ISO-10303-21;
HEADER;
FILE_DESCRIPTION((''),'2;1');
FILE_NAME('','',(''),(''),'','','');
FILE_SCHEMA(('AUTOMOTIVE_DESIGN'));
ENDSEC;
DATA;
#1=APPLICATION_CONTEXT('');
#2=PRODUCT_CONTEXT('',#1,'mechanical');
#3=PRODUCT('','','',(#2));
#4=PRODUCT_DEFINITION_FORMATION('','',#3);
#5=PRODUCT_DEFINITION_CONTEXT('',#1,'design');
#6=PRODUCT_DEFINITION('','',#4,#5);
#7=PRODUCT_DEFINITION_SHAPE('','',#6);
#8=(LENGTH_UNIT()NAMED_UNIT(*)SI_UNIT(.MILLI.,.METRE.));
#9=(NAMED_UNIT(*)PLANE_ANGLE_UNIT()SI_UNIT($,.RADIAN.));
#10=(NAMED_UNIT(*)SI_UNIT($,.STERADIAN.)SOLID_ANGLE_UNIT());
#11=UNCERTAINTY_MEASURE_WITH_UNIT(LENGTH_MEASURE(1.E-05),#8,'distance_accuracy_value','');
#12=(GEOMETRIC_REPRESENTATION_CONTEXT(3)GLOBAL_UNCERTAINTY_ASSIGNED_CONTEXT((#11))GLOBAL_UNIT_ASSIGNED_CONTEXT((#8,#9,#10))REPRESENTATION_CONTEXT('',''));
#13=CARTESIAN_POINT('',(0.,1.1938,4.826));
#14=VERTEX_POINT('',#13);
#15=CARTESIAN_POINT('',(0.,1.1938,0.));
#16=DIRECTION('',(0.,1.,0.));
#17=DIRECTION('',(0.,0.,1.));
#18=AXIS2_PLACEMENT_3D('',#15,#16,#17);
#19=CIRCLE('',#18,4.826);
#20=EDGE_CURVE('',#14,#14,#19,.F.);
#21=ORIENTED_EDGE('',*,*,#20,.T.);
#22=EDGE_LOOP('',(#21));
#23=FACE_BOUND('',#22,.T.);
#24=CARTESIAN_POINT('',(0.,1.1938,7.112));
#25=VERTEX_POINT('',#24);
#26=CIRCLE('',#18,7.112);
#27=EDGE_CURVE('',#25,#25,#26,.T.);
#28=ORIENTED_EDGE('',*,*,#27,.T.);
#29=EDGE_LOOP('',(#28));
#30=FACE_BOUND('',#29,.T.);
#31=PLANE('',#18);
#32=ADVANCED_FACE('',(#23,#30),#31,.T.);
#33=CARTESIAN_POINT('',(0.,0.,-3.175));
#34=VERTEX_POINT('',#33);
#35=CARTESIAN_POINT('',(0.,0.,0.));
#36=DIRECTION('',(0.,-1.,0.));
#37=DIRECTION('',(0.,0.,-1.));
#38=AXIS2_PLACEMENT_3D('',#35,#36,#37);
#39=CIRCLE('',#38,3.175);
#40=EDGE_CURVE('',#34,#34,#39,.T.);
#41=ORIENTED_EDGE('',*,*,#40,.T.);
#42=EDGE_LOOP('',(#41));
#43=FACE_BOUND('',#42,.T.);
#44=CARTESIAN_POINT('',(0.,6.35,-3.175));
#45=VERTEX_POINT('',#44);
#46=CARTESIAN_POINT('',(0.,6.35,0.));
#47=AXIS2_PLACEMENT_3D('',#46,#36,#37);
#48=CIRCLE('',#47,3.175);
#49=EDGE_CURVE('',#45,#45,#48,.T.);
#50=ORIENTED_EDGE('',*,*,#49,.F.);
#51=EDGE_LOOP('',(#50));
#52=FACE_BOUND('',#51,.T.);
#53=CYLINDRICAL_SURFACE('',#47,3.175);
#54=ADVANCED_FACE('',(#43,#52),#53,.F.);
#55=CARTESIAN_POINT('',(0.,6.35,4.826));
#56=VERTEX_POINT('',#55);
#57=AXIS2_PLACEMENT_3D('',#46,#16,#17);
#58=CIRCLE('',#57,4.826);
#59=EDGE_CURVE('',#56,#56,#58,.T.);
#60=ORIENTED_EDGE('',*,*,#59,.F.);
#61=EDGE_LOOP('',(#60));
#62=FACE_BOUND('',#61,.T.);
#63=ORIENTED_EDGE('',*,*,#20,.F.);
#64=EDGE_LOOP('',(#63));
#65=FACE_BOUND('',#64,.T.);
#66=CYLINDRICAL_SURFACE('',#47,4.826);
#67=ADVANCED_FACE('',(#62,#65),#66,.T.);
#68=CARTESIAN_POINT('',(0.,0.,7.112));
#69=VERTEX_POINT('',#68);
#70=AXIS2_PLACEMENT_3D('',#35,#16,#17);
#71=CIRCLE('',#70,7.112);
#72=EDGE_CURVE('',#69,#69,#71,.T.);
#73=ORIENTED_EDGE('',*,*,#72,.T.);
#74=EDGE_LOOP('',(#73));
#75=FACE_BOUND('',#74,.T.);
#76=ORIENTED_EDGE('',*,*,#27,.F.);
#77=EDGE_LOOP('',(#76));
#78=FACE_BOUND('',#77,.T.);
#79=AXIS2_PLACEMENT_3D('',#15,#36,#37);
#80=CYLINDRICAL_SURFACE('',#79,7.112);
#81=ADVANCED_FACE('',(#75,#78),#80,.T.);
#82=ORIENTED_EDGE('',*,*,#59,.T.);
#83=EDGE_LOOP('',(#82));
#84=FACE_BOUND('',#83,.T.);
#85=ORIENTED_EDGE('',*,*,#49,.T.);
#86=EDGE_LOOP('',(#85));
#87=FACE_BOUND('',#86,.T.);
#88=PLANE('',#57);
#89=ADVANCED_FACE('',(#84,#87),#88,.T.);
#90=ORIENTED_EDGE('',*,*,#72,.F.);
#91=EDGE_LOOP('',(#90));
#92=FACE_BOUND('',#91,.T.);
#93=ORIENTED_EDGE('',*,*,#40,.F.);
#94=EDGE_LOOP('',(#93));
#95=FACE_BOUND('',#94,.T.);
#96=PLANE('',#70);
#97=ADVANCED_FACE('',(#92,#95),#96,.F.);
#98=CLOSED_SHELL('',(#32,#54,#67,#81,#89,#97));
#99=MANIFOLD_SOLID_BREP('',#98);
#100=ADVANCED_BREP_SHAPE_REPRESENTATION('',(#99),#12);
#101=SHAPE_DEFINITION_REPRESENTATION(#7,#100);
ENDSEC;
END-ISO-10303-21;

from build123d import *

# Parameters (mm, degrees)
SKETCH1_R           = 7.112
BOSS_EXTRUDE1_DEPTH = 1.1938
SKETCH3_R           = 4.826
BOSS_EXTRUDE2_DEPTH = 6.35
SKETCH4_R           = 3.175
CUT_EXTRUDE1_DEPTH  = 12.894687386


with BuildPart() as part:
    # Sketch1 → Boss-Extrude1 (new body)
    with BuildSketch(Plane(origin=(0, 0, 0), x_dir=(1, 0, 0), z_dir=(0, 1, 0))):
        Circle(SKETCH1_R)
    extrude(amount=BOSS_EXTRUDE1_DEPTH)

    # Sketch3 → Boss-Extrude2 (add)
    with BuildSketch(Plane(origin=(0, 0, 0), x_dir=(1, 0, 0), z_dir=(0, 1, 0))):
        Circle(SKETCH3_R)
    extrude(amount=BOSS_EXTRUDE2_DEPTH)

    # Sketch4 → Cut-Extrude1 (cut, through all)
    with BuildSketch(Plane.XZ):
        Circle(SKETCH4_R)
    extrude(amount=-CUT_EXTRUDE1_DEPTH, mode=Mode.SUBTRACT)


solid = part.part
